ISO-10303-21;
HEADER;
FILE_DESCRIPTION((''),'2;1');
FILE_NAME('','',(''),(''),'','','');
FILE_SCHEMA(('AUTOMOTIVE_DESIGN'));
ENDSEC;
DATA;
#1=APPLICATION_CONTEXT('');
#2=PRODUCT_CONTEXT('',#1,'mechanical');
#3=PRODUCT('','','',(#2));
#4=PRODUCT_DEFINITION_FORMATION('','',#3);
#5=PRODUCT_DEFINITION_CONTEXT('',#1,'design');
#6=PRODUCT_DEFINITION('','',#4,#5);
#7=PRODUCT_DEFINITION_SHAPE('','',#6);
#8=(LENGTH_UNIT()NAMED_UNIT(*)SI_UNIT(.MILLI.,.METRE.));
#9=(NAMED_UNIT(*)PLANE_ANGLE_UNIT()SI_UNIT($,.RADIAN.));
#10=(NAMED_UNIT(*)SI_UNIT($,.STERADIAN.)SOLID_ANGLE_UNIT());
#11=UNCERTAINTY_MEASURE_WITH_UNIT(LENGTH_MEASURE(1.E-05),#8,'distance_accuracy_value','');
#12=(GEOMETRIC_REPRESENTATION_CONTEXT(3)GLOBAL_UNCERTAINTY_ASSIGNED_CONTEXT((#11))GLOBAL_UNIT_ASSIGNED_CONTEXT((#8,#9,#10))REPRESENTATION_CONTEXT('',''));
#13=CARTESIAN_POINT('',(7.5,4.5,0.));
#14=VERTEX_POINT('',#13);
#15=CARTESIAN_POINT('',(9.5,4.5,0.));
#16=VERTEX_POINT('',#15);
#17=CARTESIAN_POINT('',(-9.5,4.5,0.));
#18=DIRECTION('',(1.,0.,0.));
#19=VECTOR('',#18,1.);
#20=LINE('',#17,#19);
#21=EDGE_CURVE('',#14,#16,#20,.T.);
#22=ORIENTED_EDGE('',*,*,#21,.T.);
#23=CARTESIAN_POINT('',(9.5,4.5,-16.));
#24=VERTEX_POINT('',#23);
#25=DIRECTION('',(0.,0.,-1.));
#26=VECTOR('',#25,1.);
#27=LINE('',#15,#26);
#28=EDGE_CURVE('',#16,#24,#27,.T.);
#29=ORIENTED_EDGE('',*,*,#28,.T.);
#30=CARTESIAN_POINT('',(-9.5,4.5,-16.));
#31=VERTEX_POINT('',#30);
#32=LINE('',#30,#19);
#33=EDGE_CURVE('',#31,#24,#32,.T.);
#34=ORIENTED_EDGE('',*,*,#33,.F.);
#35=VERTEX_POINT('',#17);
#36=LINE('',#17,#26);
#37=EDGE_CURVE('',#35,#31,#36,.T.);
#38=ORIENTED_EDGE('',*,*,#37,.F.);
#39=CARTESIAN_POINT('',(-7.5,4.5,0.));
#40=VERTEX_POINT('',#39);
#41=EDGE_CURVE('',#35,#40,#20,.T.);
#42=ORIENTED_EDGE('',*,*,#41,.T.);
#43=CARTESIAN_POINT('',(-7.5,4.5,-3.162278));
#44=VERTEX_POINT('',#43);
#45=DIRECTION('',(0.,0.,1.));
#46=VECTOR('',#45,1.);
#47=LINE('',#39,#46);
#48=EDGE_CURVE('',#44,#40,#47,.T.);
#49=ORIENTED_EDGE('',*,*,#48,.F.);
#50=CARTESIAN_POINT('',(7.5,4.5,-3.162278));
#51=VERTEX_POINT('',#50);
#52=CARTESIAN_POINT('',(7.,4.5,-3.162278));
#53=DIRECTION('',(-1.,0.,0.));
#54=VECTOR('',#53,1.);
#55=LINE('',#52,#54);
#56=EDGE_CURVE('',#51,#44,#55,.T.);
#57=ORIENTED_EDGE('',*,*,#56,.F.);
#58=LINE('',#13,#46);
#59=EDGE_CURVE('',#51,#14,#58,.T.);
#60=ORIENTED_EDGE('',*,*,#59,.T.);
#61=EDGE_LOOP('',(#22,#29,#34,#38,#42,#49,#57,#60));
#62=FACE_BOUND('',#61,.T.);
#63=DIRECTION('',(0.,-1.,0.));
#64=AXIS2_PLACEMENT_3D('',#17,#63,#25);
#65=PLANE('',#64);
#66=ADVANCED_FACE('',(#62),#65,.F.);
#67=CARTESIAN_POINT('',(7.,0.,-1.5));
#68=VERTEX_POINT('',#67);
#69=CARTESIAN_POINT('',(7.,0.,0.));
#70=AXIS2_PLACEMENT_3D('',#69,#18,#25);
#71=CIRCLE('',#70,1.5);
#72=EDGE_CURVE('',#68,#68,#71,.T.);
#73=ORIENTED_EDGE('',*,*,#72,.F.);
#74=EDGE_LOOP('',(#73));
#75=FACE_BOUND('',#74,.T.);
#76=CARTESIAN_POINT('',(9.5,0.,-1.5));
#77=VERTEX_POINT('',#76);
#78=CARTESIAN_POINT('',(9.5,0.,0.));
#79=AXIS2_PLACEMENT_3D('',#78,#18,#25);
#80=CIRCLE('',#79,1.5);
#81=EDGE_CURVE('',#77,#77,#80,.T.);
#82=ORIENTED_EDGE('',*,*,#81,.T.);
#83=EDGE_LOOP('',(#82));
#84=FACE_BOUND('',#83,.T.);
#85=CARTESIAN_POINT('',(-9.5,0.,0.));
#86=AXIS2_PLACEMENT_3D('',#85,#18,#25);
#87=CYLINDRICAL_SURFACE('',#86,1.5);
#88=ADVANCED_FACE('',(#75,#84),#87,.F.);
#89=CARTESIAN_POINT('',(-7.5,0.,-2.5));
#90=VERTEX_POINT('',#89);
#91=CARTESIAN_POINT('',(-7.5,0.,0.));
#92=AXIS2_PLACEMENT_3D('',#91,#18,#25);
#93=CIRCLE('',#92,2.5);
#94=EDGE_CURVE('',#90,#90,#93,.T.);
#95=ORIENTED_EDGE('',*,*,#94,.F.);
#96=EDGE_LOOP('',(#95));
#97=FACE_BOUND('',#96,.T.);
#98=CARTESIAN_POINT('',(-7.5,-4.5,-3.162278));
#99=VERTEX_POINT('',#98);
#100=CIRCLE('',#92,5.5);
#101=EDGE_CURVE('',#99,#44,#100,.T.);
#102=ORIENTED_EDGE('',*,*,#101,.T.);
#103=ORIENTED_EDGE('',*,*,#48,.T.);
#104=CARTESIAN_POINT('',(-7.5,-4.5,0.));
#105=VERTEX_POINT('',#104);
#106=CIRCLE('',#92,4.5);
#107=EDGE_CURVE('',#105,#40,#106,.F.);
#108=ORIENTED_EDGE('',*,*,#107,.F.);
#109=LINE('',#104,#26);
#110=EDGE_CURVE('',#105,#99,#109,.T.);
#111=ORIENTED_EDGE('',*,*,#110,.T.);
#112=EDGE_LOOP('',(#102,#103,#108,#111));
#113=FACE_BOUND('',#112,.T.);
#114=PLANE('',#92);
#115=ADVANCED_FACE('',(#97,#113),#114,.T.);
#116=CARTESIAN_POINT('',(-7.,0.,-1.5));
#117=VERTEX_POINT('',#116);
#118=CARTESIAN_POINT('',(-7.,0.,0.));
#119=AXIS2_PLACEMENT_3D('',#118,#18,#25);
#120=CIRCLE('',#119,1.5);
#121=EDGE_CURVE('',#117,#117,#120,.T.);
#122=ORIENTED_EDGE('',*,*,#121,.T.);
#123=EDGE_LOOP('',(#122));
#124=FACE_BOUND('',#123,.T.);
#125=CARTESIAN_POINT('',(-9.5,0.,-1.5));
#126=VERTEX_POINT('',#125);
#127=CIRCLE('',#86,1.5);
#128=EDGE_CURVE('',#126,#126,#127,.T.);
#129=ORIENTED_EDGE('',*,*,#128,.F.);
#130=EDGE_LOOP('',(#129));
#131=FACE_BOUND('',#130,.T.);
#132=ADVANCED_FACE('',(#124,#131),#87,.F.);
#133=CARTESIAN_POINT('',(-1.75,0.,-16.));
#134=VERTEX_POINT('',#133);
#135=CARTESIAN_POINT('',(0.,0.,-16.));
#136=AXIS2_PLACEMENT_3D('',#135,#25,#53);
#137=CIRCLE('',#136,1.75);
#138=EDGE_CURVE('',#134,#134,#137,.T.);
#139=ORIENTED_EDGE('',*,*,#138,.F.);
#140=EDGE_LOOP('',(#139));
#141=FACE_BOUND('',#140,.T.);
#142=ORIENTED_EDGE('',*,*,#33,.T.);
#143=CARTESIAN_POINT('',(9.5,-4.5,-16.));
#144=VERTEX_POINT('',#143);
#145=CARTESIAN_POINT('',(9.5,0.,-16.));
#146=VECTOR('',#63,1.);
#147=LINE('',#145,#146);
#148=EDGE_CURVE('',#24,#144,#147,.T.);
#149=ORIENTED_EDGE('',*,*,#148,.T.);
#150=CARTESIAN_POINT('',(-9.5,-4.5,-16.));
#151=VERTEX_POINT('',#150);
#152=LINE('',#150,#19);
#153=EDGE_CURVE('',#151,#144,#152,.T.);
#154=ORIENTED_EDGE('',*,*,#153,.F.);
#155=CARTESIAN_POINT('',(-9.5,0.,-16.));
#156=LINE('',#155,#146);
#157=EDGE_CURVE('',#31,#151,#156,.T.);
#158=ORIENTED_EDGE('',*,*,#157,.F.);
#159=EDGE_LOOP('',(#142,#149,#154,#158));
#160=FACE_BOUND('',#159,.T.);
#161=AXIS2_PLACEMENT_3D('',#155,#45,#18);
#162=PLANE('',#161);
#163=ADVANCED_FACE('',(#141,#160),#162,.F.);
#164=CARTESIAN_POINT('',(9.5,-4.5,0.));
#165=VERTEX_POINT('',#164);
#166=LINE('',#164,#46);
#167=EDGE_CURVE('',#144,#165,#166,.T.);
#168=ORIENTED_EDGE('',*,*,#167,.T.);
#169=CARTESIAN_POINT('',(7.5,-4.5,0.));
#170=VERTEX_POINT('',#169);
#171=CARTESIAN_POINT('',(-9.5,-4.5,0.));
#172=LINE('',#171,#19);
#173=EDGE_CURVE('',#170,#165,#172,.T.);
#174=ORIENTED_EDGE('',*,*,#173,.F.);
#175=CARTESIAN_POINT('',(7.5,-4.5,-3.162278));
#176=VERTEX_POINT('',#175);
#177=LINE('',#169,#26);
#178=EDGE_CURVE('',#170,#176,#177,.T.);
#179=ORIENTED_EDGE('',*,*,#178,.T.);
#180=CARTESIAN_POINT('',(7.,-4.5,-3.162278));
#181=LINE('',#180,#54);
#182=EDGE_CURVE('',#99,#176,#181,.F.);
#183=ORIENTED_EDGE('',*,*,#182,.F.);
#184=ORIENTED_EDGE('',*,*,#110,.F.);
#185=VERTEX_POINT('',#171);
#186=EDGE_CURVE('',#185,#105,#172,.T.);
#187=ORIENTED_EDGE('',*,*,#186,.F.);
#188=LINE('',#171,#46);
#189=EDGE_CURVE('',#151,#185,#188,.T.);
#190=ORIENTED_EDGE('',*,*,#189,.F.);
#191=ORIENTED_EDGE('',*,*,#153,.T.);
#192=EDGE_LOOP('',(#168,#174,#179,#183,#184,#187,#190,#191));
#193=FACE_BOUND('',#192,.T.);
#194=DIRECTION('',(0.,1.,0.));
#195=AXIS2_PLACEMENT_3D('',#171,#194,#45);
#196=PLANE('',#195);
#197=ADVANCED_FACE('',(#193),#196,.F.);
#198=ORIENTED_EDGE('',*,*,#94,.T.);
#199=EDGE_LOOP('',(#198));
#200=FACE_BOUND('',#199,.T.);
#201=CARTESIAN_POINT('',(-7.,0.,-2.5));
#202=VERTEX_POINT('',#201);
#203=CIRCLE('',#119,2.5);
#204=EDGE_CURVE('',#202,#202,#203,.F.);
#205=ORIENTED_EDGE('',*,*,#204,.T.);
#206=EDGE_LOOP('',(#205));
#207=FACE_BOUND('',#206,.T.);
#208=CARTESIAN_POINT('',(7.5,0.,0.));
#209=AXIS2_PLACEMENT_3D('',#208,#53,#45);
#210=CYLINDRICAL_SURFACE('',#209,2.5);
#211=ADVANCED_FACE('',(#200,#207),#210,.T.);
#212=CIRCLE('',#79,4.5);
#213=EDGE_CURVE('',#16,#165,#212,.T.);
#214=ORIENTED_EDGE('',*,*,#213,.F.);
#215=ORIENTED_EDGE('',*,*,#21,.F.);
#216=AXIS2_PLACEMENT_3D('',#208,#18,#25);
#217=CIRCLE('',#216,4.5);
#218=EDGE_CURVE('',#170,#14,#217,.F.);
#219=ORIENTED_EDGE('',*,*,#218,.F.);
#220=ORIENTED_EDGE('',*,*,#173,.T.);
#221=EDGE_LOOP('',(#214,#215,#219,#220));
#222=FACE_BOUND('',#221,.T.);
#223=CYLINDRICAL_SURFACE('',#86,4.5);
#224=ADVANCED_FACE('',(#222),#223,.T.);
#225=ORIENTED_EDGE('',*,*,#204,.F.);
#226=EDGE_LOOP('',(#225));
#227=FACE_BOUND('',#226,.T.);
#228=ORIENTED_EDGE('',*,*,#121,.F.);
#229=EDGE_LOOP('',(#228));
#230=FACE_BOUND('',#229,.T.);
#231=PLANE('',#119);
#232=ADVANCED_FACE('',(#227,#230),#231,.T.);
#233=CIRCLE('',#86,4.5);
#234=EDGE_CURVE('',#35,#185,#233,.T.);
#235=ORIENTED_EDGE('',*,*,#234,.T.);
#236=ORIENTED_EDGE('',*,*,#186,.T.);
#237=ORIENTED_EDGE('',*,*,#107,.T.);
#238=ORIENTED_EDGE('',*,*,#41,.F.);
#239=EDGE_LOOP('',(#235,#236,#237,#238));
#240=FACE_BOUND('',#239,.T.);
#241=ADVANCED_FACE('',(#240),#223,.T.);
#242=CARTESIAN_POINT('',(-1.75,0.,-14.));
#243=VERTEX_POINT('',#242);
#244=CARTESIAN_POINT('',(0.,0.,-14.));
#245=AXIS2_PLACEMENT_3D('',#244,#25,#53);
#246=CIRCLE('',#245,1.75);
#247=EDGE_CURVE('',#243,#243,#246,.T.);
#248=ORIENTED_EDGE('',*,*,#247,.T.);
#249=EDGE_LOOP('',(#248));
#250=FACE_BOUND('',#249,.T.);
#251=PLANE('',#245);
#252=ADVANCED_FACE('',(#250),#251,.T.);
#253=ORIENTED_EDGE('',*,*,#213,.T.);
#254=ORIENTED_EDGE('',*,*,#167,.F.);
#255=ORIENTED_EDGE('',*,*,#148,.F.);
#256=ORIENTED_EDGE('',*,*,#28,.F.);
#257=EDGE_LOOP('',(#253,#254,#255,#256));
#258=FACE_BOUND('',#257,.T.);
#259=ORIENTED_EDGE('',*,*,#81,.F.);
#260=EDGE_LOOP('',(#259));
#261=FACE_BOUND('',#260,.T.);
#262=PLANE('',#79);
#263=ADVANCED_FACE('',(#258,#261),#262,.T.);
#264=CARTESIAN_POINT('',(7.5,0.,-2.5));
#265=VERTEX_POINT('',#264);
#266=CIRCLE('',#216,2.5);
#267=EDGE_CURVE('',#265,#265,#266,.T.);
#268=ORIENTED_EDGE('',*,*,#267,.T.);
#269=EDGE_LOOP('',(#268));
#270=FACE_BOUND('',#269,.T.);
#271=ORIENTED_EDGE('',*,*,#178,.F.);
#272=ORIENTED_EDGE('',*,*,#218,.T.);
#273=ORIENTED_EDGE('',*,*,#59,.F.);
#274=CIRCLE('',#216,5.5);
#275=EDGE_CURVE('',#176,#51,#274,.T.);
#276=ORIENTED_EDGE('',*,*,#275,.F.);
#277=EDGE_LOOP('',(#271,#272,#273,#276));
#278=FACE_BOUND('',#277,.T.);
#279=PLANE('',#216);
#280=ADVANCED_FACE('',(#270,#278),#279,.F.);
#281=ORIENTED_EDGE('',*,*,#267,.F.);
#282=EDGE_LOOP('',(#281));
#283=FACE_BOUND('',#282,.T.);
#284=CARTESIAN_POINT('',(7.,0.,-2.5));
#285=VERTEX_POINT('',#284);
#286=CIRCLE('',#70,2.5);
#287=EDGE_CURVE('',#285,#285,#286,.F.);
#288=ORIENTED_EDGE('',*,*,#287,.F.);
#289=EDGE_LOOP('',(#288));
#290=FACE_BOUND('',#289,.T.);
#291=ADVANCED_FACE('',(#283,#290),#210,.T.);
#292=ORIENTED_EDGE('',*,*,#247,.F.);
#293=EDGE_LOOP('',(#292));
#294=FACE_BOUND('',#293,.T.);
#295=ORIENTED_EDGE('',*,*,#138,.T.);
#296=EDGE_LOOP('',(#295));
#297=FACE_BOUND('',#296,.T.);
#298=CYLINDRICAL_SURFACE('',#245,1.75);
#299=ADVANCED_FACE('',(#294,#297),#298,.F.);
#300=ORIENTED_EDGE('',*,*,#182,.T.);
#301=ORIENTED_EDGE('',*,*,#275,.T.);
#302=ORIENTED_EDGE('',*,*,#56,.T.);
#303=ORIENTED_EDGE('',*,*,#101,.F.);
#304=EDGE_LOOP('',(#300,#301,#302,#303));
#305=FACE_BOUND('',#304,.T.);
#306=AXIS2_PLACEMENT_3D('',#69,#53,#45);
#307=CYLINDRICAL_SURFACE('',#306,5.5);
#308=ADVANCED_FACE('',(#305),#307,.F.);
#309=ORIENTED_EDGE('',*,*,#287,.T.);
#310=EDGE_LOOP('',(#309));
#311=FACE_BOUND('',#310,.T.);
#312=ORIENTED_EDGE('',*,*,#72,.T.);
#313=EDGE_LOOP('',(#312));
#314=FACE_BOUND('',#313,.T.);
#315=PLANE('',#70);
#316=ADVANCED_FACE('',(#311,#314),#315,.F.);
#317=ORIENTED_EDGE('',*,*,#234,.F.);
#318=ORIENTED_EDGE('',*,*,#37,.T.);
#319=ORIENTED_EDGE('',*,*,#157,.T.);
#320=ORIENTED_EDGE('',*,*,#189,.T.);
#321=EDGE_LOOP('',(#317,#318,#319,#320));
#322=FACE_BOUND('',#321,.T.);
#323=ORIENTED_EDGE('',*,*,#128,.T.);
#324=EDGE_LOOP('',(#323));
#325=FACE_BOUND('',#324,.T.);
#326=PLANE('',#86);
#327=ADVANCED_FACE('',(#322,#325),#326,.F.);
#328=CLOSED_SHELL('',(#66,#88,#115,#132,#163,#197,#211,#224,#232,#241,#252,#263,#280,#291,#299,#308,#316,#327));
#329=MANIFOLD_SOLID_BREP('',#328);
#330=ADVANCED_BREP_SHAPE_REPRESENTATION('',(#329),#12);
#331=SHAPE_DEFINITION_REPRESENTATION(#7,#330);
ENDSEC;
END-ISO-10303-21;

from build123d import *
from build123d.topology import SkipClean

# Parameters (mm, degrees)
EXTRUDE_1_DEPTH          = 9.5
EXTRUDE_1_DEPTH_BACK     = 9.5
CUT_EXTRUDE_1_DEPTH      = 7
CUT_EXTRUDE_1_DEPTH_BACK = 7
SKETCH_2_R               = 5.5
CUT_EXTRUDE_2_DEPTH      = 20.144189719
CUT_EXTRUDE_2_DEPTH_BACK = 20.144189719
SKETCH_3_R               = 1.5
CUT_EXTRUDE_3_DEPTH      = 7.5
CUT_EXTRUDE_3_DEPTH_BACK = 7.5
SKETCH_4_R               = 5.5
SKETCH_4_R_2             = 2.5
SKETCH_5_R               = 1.75
CUT_EXTRUDE_4_DEPTH      = 2


with BuildPart() as part:
    # Эскиз1 → Бобышка-Вытянуть1 (new, two sides: drawn at the far end of the back side and taken through both)
    with BuildSketch(Plane(origin=(0, 0, 0), x_dir=(0, 0, -1), z_dir=(1, 0, 0)).offset(-EXTRUDE_1_DEPTH_BACK)):
        with BuildLine():
            Line((16, 4.5), (0, 4.5))
            ThreePointArc((0, 4.5), (-4.5, 0), (0, -4.5))
            Line((0, -4.5), (16, -4.5))
            Line((16, -4.5), (16, 4.5))
        make_face()
    extrude(amount=EXTRUDE_1_DEPTH + EXTRUDE_1_DEPTH_BACK)

    # Эскиз2 → Вырез-Вытянуть1 (cut, two sides: drawn at the far end of the back side and taken through both)
    with BuildSketch(Plane(origin=(0, 0, 0), x_dir=(0, 0, -1), z_dir=(1, 0, 0)).offset(-CUT_EXTRUDE_1_DEPTH_BACK)):
        Circle(SKETCH_2_R)
    extrude(amount=CUT_EXTRUDE_1_DEPTH + CUT_EXTRUDE_1_DEPTH_BACK, mode=Mode.SUBTRACT)

    # Эскиз3 → Вырез-Вытянуть2 (cut, two sides: drawn at the far end of the back side and taken through both)
    with BuildSketch(Plane(origin=(0, 0, 0), x_dir=(0, 0, -1), z_dir=(1, 0, 0)).offset(-CUT_EXTRUDE_2_DEPTH_BACK)):
        Circle(SKETCH_3_R)
    extrude(amount=CUT_EXTRUDE_2_DEPTH + CUT_EXTRUDE_2_DEPTH_BACK, mode=Mode.SUBTRACT)

    # Эскиз4 → Вырез-Вытянуть3 (cut, two sides: drawn at the far end of the back side and taken through both)
    with SkipClean():  # the faces are left unmerged after this step: merging them gives an invalid solid
        with BuildSketch(Plane(origin=(0, 0, 0), x_dir=(0, 0, -1), z_dir=(1, 0, 0)).offset(-CUT_EXTRUDE_3_DEPTH_BACK)):
            Circle(SKETCH_4_R)
            Circle(SKETCH_4_R_2, mode=Mode.SUBTRACT)
        extrude(amount=CUT_EXTRUDE_3_DEPTH + CUT_EXTRUDE_3_DEPTH_BACK, mode=Mode.SUBTRACT)
    add(part.part.scale(1), mode=Mode.REPLACE)  # the faces are merged on a copy

    # Эскиз5 → Вырез-Вытянуть4 (cut)
    with BuildSketch(Plane(origin=(0, 0, -16), x_dir=(-1, 0, 0), z_dir=(0, 0, -1))):
        Circle(SKETCH_5_R)
    extrude(amount=-CUT_EXTRUDE_4_DEPTH, mode=Mode.SUBTRACT)


solid = part.part
